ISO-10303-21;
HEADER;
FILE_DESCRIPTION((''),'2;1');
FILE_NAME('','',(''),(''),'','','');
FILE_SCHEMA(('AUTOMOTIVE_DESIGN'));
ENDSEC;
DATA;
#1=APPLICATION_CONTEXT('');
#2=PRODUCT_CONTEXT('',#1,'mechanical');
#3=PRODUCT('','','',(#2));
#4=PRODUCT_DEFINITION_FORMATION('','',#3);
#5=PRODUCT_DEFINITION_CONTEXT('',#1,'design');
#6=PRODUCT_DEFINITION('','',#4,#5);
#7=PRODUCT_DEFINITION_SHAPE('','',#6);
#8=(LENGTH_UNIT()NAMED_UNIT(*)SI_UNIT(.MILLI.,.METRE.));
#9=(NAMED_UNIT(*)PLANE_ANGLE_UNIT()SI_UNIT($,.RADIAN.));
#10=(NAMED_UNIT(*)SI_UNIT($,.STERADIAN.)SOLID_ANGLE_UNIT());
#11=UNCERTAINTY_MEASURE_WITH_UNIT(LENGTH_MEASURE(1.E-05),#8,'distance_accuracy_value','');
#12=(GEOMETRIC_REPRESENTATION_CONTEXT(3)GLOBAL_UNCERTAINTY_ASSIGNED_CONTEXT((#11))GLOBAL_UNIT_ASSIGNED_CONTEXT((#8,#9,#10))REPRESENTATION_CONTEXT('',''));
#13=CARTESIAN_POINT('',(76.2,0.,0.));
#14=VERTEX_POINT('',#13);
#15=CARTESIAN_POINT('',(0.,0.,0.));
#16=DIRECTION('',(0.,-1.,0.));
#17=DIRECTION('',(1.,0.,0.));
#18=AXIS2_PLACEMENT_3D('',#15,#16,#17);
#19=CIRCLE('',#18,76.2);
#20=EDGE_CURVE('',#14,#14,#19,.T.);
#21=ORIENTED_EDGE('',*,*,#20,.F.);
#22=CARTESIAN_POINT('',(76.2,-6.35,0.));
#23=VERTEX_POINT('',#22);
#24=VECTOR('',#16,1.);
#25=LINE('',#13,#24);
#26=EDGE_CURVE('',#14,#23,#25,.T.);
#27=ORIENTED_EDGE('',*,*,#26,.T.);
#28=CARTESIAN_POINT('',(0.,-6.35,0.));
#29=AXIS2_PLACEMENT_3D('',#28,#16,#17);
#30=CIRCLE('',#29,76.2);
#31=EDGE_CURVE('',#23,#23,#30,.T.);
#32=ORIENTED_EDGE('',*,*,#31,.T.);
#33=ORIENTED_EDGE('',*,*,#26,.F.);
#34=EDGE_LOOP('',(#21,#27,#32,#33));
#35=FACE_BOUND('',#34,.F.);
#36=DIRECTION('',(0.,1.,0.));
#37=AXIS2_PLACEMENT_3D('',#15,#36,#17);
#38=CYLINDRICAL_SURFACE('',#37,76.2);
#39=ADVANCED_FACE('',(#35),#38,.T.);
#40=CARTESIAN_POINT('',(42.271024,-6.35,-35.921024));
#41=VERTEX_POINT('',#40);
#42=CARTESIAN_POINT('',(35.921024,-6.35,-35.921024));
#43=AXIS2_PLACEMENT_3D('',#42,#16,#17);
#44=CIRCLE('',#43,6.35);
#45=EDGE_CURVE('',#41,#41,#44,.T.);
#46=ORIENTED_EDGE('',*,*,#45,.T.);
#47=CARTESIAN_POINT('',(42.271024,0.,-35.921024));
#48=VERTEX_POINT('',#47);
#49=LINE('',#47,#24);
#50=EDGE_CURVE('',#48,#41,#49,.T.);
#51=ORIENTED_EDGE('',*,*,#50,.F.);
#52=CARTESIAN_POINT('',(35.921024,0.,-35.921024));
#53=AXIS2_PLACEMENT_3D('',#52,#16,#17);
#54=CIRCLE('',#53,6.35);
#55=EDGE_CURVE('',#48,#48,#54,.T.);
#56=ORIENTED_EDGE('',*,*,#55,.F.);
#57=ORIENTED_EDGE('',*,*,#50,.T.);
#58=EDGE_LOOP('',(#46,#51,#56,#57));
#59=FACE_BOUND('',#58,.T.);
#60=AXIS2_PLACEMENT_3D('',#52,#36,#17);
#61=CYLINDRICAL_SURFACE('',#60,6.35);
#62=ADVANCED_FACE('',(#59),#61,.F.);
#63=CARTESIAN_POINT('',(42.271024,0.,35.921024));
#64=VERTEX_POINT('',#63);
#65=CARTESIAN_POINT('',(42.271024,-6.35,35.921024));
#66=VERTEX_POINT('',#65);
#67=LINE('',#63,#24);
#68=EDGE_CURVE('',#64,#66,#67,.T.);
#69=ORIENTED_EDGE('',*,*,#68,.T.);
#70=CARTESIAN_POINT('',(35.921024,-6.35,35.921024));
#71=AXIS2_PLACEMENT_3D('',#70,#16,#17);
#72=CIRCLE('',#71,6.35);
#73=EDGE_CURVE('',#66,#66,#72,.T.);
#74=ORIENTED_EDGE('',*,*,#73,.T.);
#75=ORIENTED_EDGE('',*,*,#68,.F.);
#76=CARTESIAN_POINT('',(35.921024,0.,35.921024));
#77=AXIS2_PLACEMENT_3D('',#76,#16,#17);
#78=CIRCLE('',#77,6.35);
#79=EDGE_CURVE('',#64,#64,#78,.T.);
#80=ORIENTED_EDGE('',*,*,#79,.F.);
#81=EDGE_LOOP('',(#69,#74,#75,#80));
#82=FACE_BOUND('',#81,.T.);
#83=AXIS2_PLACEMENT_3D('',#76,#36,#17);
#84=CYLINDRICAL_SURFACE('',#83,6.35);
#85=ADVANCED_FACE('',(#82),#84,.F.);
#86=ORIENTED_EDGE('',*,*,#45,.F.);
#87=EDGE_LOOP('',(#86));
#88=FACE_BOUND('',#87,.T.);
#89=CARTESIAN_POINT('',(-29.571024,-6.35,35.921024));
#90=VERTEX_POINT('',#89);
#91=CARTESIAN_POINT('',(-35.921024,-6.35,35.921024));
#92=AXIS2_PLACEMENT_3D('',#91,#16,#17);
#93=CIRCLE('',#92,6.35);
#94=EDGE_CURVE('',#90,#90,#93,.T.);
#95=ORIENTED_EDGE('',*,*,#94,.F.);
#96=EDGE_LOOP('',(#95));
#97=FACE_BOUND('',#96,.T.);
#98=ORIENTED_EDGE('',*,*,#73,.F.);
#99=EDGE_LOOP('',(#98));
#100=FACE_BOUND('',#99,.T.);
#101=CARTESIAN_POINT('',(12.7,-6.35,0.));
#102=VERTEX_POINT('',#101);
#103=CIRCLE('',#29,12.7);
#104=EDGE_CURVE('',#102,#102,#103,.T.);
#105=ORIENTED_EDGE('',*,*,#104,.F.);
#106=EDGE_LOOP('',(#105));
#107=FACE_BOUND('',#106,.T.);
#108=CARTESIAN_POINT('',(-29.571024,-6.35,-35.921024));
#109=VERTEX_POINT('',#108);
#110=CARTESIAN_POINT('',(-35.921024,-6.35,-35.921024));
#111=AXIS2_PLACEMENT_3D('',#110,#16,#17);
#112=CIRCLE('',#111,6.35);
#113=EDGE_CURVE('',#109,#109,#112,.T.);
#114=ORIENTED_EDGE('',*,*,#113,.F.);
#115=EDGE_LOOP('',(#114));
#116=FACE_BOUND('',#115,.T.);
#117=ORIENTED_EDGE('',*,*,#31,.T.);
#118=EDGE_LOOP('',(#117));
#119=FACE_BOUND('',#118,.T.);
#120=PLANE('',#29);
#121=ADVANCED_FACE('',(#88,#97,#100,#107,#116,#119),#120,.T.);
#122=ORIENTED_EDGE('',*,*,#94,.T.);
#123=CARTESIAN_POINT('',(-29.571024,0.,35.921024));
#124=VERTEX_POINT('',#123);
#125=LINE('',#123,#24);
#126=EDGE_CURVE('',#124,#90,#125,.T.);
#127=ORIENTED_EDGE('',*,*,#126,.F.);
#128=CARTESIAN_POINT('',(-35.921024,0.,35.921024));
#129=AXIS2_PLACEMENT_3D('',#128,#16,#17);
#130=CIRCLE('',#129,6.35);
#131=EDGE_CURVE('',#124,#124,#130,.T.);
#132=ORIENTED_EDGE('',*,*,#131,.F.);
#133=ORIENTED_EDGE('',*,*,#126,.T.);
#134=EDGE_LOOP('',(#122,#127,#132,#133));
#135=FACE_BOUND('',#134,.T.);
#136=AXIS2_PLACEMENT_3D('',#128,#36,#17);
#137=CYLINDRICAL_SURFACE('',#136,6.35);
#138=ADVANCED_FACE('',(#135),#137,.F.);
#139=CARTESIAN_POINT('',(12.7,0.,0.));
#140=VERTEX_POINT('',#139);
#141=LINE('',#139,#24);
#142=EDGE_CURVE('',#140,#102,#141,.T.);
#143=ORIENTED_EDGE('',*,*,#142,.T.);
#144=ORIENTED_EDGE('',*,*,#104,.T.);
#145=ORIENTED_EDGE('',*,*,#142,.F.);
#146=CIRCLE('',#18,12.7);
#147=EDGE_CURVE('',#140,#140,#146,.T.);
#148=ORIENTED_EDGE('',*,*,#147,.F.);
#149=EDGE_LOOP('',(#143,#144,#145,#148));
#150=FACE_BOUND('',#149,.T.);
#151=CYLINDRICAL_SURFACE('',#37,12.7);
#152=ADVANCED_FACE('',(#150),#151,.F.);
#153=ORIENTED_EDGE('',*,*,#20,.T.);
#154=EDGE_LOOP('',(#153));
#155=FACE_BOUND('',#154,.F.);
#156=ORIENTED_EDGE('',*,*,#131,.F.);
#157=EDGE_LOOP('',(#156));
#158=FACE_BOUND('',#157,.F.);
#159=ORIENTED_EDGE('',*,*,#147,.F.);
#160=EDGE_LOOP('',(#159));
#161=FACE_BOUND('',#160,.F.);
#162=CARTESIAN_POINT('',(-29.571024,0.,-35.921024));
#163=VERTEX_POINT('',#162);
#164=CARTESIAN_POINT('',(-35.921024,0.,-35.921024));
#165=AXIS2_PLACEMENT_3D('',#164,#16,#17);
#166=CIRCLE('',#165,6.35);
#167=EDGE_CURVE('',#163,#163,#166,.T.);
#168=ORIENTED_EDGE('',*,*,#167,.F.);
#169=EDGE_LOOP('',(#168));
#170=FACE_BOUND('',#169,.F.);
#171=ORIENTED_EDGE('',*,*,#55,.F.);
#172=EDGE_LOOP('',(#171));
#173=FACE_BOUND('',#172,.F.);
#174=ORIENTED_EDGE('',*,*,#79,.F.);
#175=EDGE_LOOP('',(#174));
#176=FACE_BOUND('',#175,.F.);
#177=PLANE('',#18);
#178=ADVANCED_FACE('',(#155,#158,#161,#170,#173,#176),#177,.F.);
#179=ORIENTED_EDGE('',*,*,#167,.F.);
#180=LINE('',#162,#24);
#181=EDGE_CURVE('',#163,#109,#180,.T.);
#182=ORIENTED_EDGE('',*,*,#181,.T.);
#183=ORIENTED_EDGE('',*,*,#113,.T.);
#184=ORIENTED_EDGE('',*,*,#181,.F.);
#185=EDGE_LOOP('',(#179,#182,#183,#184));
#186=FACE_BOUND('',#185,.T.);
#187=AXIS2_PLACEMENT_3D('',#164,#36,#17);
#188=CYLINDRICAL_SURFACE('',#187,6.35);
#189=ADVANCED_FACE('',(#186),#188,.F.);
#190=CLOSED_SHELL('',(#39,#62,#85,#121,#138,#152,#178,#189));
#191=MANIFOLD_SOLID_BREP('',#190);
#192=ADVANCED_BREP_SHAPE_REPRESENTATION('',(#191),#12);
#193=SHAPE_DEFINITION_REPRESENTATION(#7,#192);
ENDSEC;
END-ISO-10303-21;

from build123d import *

# Parameters (mm, degrees)
F0_R     = 76.2
F0_R_2   = 6.35
F0_R_3   = 12.7
F1_DEPTH = 6.35


with BuildPart() as f1:
    # F0 (on Front) → F1 (new body)
    with BuildSketch(Plane.XZ):
        Circle(F0_R)
        with Locations((-35.921024, -35.921024)):
            Circle(F0_R_2, mode=Mode.SUBTRACT)
        with Locations((35.921024, -35.921024)):
            Circle(F0_R_2, mode=Mode.SUBTRACT)
        with Locations((-35.921024, 35.921024)):
            Circle(F0_R_2, mode=Mode.SUBTRACT)
        Circle(F0_R_3, mode=Mode.SUBTRACT)
        with Locations((35.921024, 35.921024)):
            Circle(F0_R_2, mode=Mode.SUBTRACT)
    extrude(amount=F1_DEPTH)


solid = f1.part
